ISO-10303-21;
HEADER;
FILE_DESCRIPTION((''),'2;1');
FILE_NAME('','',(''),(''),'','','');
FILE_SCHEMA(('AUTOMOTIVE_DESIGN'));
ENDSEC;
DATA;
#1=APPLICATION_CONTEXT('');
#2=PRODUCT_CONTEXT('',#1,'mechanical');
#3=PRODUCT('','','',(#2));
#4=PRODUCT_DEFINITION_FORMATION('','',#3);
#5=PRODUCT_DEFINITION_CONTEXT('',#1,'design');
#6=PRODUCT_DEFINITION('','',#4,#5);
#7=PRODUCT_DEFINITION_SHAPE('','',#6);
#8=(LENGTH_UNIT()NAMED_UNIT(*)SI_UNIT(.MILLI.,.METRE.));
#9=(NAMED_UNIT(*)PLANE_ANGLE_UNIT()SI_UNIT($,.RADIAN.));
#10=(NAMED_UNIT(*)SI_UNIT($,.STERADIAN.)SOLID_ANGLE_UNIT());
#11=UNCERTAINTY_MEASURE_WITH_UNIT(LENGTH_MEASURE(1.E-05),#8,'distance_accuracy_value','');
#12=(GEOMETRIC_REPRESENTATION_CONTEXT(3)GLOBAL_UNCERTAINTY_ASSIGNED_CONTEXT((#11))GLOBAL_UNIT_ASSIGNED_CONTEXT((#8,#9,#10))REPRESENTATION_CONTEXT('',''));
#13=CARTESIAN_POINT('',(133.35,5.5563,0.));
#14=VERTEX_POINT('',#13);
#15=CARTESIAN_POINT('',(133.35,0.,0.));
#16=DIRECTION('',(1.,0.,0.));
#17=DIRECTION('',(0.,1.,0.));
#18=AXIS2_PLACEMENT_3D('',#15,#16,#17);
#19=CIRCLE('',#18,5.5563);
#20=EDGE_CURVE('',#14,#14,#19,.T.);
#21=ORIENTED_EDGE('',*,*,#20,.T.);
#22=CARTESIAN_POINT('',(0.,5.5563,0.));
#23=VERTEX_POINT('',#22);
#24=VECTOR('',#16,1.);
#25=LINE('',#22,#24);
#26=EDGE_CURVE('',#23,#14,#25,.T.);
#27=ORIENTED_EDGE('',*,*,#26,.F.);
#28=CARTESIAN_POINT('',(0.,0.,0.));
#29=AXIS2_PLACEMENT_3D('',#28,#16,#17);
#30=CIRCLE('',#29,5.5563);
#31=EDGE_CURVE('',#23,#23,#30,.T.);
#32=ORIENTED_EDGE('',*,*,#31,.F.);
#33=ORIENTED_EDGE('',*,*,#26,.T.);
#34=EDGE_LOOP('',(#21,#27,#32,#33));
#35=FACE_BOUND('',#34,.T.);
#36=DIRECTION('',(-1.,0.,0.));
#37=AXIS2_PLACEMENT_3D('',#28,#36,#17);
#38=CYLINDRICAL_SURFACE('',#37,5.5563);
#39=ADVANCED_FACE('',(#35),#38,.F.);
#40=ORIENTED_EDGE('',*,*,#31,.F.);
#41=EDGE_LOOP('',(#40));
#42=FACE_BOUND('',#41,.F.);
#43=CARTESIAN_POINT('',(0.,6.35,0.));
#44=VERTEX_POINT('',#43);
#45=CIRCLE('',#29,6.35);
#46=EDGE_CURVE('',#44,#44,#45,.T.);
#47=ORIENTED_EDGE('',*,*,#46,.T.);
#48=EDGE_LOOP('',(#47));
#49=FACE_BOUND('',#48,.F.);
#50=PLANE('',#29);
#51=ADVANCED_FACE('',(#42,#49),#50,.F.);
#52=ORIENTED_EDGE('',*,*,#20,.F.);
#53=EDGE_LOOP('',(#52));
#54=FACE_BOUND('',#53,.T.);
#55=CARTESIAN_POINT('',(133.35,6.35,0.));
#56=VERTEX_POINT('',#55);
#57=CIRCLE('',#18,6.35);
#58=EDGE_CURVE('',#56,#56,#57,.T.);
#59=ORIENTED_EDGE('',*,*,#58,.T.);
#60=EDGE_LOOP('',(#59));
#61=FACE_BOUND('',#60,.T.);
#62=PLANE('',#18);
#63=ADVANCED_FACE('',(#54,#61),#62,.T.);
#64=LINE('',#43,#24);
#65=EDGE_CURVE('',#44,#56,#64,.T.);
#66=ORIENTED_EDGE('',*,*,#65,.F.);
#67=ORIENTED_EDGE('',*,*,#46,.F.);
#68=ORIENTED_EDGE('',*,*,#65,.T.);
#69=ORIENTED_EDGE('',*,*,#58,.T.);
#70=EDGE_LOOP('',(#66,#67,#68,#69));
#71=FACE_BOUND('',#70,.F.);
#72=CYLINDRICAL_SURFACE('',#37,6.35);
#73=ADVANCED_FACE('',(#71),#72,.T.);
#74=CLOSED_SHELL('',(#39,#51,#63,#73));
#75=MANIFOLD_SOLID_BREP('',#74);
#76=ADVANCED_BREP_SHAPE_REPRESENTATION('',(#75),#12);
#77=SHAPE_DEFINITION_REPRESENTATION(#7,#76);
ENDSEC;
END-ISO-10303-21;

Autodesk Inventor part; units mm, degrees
ref_plane "YZ Plane" through (0, 0, 0) normal (1, 0, 0) x (0, 1, 0)
ref_plane "XZ Plane" through (0, 0, 0) normal (0, 1, 0) x (-1, 0, 0)
ref_plane "XY Plane" through (0, 0, 0) normal (0, 0, 1) x (1, 0, 0)
sketch "Sketch1" plane through (0, 0, 0) normal (1, 0, 0) x (0, 1, 0)
  circle A0 centre (0, 0) radius 6.35
  circle A1 centre (0, 0) radius 5.5563
  dimension "d0" = 12.7
  dimension "d1" = 11.1125
extrude "Extrusion1" add sketch "Sketch1" along normal blind 133.35
properties part number "Bearing Guide" material "Aluminum 6061"
